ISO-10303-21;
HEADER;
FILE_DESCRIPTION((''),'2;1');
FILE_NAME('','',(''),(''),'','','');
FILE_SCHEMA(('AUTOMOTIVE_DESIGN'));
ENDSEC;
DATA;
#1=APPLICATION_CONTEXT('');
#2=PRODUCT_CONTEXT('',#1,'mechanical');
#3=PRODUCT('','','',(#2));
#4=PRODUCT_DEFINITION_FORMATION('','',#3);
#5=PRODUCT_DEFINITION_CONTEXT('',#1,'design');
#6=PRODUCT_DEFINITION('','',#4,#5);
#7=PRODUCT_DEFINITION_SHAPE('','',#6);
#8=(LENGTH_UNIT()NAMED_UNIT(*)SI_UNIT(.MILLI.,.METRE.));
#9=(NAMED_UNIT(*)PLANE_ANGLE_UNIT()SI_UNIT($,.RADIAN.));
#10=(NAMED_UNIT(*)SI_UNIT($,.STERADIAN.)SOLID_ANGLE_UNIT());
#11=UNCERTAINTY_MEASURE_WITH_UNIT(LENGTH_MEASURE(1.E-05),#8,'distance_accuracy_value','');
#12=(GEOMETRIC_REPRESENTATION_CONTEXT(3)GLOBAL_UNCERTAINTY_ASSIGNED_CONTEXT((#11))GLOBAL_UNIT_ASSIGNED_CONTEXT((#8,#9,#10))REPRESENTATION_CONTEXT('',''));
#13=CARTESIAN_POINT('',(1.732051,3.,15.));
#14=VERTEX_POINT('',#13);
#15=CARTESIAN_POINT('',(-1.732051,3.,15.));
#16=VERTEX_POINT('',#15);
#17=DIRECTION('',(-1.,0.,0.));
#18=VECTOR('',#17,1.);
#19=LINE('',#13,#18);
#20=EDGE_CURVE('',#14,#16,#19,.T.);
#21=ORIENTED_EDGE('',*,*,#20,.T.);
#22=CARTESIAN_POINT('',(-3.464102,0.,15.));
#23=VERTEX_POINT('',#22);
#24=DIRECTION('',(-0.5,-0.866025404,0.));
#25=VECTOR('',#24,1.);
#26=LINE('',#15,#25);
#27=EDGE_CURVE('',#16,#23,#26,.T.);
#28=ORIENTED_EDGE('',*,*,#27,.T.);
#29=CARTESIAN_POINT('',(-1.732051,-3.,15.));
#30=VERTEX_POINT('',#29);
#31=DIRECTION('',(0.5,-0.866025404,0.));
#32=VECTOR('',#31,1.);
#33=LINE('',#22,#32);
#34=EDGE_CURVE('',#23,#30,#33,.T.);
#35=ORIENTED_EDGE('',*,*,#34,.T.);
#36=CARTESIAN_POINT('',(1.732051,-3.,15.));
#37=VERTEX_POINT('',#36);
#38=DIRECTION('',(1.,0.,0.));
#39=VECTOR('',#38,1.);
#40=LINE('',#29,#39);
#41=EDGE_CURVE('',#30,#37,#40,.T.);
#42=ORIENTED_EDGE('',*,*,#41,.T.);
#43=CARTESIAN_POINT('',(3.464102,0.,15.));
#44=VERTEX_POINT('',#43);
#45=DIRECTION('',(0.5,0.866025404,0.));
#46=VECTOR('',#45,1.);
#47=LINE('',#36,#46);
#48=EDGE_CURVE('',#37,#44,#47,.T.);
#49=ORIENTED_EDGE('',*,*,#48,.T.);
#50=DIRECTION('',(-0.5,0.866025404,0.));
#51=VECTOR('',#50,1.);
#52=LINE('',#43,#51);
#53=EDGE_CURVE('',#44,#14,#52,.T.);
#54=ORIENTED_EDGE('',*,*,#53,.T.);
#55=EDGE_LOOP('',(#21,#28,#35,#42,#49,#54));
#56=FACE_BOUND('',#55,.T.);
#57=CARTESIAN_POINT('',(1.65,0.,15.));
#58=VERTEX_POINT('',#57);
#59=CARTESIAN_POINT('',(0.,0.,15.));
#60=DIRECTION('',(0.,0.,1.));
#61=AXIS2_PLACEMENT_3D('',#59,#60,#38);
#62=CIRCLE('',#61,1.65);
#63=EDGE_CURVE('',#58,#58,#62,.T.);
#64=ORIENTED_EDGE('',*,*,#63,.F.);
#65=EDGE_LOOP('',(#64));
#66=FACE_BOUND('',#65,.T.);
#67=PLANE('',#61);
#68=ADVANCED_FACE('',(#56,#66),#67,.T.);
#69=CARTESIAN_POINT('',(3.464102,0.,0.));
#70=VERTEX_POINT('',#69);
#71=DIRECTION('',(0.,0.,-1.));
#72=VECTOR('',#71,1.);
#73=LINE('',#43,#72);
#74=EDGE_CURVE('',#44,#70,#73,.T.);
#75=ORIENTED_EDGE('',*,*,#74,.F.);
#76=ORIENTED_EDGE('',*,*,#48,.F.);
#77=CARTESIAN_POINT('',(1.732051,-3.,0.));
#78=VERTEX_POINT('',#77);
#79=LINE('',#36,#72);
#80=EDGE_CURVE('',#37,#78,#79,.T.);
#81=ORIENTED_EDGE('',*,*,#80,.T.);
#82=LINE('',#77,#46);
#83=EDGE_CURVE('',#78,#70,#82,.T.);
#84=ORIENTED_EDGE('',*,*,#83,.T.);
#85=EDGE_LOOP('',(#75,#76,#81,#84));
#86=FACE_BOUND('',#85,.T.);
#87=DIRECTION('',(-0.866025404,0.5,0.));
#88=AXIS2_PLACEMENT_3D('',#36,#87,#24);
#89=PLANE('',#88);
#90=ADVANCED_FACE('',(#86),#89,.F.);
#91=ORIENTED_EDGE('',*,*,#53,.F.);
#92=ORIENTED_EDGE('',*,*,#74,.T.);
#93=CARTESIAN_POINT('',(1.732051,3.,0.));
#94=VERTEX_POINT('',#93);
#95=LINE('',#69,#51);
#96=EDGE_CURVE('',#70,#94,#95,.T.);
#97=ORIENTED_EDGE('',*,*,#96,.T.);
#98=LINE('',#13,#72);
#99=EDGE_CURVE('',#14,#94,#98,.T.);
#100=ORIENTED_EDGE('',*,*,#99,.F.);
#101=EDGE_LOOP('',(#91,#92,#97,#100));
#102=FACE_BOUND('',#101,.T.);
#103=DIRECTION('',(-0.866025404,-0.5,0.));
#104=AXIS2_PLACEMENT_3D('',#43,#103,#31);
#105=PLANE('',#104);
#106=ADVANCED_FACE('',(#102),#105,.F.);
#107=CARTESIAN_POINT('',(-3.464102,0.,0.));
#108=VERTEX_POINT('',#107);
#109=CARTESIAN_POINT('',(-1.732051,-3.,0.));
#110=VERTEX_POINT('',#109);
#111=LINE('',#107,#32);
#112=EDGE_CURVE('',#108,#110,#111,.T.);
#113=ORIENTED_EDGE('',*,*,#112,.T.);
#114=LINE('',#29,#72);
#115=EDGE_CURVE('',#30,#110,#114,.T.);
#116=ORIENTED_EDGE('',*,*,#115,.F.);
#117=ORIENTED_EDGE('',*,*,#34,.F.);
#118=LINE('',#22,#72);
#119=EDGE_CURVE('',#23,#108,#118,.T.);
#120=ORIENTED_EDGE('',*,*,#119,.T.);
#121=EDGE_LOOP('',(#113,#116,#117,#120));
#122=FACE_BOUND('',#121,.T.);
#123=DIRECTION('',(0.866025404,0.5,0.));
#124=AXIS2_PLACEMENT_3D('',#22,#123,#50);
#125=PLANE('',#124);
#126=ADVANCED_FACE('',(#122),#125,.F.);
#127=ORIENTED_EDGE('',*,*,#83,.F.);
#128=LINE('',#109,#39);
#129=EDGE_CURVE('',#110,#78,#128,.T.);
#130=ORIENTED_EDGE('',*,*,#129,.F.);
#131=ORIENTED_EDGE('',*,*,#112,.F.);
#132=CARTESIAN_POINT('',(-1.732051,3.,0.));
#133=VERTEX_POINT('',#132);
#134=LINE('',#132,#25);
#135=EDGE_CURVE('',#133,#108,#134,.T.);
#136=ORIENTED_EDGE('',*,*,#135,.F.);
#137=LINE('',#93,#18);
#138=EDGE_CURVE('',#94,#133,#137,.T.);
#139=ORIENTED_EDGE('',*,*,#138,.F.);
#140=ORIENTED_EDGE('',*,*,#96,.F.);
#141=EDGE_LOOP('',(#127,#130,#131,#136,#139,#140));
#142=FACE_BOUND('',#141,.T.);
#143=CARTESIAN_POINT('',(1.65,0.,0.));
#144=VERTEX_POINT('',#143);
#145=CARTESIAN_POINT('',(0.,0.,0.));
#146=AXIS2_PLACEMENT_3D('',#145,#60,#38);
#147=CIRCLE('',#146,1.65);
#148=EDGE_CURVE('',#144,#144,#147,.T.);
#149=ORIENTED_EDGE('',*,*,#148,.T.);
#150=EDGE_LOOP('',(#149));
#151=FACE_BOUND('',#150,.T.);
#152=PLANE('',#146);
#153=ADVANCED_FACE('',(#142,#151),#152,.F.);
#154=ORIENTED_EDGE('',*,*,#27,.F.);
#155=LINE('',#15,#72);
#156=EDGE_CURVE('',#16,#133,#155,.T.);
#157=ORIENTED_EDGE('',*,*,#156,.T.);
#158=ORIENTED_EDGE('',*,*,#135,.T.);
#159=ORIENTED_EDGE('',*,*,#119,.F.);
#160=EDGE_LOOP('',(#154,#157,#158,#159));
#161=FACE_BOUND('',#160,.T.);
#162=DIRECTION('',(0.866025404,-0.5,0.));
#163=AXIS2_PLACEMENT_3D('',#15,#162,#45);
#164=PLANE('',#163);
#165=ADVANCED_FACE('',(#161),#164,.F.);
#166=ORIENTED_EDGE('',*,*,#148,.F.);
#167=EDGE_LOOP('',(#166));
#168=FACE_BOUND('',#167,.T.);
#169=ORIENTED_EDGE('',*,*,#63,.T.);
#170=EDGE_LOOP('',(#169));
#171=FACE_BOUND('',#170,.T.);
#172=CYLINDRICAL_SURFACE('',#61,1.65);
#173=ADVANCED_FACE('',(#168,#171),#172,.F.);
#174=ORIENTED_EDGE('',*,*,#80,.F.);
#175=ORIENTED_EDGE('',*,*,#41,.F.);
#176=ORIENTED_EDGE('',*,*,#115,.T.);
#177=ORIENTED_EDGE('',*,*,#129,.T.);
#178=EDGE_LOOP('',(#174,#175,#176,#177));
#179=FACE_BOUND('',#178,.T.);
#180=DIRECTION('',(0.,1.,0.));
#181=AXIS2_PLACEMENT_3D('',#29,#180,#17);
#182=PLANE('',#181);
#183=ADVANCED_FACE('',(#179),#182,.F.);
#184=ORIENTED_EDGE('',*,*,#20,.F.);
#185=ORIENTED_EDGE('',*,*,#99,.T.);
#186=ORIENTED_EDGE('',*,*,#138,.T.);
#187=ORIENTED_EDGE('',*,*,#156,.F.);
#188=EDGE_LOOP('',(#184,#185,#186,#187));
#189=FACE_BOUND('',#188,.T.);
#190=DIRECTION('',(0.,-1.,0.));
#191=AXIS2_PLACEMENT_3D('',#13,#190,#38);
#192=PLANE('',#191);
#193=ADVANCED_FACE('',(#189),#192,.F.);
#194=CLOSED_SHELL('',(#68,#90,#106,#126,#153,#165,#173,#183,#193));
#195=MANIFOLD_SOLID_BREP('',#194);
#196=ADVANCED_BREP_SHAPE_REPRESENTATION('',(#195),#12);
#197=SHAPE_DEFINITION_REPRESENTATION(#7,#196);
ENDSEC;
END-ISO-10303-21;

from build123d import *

# Parameters (mm, degrees)
EXTRUDE_1_DEPTH        = 15
HOLE_WIZARD_M4_1_D     = 3.3
HOLE_WIZARD_M4_1_DEPTH = 17.1
HOLE_WIZARD_M4_1_TIP   = 0.991420021


with BuildPart() as part:
    # 草图1 → 凸台-拉伸1 (new body)
    with BuildSketch(Plane.XY):
        Polygon((-1.732050808, 3), (-3.464101615, 0), (-1.732050808, -3), (1.732050808, -3), (3.464101615, 0), (1.732050808, 3), align=None)
    extrude(amount=EXTRUDE_1_DEPTH)

    # M4 螺纹孔1
    with Locations(Plane.XY.offset(15)):
        with Locations((0, 0)):
            Hole(HOLE_WIZARD_M4_1_D / 2, depth=HOLE_WIZARD_M4_1_DEPTH)
            with Locations((0, 0, -(HOLE_WIZARD_M4_1_DEPTH + HOLE_WIZARD_M4_1_TIP / 2))):  # 118° drill point
                Cone(0, HOLE_WIZARD_M4_1_D / 2, HOLE_WIZARD_M4_1_TIP, mode=Mode.SUBTRACT)


solid = part.part
